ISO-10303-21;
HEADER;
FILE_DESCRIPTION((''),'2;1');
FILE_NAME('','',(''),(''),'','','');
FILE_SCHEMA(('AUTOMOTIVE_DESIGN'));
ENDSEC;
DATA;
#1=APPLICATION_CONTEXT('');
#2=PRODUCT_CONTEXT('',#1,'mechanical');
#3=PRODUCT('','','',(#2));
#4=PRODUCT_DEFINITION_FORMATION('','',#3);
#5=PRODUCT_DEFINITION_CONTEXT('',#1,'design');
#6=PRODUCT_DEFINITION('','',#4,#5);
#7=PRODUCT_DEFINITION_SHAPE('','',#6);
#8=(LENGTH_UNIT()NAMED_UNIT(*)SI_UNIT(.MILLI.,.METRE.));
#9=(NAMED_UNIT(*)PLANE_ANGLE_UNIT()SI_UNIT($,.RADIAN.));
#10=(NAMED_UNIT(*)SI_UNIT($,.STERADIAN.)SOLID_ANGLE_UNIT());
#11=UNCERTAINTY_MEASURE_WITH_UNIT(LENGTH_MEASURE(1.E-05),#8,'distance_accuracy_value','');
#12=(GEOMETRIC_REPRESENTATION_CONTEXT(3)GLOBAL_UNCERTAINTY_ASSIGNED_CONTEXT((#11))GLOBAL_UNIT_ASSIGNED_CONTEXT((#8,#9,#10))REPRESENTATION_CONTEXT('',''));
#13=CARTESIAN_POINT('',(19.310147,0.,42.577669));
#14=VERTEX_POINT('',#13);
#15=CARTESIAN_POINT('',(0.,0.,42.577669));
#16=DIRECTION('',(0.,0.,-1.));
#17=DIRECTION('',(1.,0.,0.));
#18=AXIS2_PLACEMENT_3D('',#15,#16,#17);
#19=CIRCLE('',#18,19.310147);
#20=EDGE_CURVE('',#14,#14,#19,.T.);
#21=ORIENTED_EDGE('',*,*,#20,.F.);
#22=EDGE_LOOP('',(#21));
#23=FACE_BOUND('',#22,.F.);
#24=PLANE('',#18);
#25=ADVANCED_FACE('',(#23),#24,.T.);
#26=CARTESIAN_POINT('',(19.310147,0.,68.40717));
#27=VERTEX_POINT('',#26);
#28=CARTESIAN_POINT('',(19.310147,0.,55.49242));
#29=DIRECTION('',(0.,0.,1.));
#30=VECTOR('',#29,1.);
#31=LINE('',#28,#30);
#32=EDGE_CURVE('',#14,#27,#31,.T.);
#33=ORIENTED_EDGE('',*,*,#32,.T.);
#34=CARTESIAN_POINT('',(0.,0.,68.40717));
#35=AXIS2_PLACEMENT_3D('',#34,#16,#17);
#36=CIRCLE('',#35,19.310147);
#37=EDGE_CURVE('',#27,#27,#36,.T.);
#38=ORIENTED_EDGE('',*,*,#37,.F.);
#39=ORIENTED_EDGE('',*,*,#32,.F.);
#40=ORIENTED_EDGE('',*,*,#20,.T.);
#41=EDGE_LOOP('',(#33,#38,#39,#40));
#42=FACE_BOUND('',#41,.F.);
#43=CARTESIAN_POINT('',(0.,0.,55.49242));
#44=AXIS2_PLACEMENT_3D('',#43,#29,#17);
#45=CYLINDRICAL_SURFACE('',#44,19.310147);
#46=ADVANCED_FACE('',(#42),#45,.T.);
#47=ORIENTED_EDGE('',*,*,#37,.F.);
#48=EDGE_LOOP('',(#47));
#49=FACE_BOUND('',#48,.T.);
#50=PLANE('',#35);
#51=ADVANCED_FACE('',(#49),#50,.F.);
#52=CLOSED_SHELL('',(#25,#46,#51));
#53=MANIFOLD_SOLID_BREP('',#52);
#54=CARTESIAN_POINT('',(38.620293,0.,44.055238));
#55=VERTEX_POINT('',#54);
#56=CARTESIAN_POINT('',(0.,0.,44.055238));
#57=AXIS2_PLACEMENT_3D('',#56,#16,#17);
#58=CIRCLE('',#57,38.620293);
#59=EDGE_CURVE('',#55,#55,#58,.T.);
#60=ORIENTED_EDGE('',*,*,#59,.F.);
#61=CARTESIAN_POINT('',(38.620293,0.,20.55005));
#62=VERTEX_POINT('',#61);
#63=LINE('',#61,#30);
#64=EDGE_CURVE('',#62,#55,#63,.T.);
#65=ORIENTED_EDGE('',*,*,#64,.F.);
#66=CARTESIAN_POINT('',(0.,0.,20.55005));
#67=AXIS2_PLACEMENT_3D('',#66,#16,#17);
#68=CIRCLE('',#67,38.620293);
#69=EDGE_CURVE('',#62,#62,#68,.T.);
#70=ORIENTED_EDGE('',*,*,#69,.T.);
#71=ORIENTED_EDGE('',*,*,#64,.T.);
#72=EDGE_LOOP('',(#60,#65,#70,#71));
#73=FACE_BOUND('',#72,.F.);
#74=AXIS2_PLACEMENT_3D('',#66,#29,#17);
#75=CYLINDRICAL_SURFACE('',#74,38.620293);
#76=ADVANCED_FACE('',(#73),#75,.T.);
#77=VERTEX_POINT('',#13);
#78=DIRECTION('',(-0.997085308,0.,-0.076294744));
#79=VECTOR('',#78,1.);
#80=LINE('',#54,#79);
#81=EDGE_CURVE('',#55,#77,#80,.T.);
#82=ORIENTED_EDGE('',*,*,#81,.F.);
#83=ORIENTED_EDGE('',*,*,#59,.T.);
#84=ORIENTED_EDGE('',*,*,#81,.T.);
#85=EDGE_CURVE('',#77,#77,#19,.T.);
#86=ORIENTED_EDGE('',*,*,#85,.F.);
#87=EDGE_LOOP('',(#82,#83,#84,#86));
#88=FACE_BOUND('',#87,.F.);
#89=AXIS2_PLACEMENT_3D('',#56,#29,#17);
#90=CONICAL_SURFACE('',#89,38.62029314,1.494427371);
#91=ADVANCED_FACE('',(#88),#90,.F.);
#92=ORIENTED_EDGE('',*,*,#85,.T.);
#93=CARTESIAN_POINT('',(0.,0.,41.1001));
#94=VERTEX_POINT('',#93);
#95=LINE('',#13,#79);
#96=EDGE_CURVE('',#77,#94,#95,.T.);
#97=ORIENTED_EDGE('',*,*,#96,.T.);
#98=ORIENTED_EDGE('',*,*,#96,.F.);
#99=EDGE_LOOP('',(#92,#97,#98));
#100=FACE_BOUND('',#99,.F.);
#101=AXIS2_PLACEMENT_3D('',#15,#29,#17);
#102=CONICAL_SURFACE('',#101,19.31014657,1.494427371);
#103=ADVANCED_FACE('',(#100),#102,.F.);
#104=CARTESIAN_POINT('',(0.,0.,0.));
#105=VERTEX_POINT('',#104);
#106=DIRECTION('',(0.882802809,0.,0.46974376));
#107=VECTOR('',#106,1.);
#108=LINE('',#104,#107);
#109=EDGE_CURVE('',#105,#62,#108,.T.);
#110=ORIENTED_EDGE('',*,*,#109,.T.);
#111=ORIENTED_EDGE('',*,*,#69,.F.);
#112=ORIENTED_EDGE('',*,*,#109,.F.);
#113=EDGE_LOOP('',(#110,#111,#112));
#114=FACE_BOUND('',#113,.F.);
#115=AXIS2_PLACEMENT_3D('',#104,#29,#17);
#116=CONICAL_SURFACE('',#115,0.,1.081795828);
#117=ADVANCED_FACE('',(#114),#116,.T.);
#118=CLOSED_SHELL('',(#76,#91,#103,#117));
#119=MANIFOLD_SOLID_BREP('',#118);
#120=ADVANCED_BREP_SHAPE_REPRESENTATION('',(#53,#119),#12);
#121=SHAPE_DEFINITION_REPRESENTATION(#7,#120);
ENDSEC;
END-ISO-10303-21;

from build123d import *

# Parameters (mm, degrees)
F0_W = 19.3101465702
F0_H = 25.8295014501


with BuildPart() as f1:
    # F0 (on Front) → F1 (revolve)
    with BuildSketch(Plane.XZ):
        Polygon((38.6202931404, 20.5500498414), (0, 41.1000996828), (0, 0), align=None)
        Polygon((19.3101465702, 42.5776690245), (0, 41.1000996828), (38.6202931404, 20.5500498414), (38.6202931404, 44.0552383661), align=None)
    revolve(axis=Axis((0, 0, 20.5500498414), (0, 0, -1)))


with BuildPart() as f1b:
    # F0 (on Front) → F1, piece 2 (revolve)
    with BuildSketch(Plane.XZ):
        with Locations((9.6550732851, 55.4924197495)):
            Rectangle(F0_W, F0_H)
    revolve(axis=Axis((0, 0, 20.5500498414), (0, 0, -1)))


solid = Compound([f1.part, f1b.part])
